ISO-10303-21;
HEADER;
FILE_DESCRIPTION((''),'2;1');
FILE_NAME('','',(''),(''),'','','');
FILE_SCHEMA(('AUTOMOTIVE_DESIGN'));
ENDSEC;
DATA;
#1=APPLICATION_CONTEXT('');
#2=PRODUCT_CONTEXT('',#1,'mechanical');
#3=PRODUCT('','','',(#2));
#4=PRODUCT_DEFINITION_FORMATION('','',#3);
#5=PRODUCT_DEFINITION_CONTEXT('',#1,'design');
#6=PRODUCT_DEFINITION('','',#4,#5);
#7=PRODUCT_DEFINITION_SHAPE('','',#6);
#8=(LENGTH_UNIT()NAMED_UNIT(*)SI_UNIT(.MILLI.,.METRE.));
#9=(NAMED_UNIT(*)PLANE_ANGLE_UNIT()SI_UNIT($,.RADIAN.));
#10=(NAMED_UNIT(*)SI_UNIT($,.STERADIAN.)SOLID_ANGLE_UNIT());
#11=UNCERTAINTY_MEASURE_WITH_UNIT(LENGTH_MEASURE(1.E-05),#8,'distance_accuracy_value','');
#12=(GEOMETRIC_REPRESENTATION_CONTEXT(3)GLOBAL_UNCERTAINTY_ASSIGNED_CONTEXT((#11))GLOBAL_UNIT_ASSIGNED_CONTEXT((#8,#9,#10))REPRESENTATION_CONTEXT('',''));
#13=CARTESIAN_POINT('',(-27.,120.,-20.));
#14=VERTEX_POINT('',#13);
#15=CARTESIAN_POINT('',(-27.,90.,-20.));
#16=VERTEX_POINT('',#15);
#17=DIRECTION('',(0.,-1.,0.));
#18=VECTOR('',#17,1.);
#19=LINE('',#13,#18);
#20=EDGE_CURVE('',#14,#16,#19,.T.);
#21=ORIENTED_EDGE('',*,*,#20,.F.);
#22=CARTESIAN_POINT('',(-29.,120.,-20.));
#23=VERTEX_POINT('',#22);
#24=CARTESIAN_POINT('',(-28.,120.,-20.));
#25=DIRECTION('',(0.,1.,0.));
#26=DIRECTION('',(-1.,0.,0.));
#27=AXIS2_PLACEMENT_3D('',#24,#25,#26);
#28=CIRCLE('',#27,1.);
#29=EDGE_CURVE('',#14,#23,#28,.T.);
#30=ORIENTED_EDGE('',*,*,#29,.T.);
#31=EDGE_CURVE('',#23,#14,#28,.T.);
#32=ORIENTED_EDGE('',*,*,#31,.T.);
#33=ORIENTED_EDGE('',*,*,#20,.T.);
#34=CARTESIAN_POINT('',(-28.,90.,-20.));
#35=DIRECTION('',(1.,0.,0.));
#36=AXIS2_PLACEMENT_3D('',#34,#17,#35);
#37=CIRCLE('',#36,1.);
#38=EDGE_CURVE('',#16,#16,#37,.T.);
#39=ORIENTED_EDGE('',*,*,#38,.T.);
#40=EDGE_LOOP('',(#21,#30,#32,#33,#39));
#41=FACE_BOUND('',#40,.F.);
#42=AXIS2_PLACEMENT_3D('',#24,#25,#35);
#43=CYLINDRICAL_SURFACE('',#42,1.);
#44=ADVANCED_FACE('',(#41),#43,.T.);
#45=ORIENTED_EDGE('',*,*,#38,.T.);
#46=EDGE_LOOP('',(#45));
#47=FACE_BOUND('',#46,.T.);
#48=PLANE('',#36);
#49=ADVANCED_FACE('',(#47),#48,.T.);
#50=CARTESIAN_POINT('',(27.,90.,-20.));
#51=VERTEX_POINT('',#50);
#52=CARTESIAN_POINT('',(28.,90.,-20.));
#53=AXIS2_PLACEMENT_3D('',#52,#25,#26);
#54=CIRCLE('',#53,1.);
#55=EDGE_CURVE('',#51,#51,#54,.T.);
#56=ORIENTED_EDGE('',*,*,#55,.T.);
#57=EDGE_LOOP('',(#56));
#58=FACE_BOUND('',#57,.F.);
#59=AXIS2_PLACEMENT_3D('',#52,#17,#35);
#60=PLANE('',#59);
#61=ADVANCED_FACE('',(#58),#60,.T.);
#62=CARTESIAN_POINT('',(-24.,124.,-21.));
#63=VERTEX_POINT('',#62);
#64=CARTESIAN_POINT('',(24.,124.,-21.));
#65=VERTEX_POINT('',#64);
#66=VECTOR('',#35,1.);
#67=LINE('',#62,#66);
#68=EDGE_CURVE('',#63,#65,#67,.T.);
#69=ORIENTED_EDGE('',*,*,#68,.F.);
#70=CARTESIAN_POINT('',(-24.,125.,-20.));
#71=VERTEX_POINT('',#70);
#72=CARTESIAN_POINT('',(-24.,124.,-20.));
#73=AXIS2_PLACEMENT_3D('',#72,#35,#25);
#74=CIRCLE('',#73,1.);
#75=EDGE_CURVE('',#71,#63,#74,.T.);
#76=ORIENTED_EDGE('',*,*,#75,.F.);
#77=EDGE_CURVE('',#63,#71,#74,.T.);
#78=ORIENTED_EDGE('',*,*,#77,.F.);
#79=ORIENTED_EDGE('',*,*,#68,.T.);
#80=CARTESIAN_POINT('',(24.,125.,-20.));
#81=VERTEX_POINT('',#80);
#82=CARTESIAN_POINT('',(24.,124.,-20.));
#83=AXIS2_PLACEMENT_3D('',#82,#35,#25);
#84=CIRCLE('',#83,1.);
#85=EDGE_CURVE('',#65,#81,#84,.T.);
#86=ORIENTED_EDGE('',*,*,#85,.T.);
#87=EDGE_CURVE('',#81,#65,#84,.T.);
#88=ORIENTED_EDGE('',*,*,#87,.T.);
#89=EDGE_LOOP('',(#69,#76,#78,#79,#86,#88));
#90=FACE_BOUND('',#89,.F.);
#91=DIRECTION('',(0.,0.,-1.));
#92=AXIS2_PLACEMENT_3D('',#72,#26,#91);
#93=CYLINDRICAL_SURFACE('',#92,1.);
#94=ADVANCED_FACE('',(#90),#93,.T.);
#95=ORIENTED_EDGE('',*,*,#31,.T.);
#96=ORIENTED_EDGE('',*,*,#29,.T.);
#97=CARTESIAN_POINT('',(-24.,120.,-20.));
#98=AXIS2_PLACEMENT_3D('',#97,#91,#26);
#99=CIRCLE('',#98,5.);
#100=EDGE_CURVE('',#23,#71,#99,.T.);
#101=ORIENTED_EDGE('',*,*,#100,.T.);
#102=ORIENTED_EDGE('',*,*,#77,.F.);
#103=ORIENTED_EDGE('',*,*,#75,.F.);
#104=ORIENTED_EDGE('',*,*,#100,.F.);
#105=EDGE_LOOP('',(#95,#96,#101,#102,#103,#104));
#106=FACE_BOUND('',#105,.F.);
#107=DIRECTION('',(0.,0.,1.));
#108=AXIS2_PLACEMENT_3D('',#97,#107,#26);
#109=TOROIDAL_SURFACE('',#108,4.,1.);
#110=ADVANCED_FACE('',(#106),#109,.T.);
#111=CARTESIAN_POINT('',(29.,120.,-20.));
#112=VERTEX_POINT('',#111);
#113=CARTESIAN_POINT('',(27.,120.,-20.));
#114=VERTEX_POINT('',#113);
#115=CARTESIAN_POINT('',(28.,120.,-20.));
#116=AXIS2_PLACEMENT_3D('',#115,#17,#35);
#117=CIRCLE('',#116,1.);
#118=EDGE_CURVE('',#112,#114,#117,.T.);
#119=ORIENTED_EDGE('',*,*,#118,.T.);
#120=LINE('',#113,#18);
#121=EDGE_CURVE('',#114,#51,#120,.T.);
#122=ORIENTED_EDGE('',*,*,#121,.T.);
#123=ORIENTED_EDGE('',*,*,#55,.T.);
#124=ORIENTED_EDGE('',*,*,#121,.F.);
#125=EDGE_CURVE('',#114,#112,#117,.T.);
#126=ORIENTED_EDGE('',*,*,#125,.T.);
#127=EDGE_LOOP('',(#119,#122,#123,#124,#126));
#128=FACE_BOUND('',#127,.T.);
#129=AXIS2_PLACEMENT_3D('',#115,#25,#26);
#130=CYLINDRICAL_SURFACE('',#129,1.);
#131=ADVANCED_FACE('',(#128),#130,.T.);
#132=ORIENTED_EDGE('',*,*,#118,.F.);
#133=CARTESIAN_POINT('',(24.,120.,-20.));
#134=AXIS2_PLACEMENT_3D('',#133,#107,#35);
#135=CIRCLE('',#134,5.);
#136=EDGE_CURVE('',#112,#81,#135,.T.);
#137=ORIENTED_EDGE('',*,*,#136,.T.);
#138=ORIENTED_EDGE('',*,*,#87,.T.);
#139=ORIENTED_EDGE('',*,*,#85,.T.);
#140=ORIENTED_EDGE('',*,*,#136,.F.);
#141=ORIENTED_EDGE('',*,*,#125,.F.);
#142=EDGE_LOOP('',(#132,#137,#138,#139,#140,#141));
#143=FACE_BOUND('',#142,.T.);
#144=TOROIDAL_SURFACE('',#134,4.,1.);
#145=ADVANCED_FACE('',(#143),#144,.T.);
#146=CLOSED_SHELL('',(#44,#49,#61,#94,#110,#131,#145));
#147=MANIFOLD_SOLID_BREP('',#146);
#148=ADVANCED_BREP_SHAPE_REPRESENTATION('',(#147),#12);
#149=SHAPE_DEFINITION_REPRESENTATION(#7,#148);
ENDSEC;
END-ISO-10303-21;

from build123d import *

# Parameters (mm, degrees)
TORUS_R           = 1
TORUS_ANGLE       = 90
CYLINDER002_R     = 1
CYLINDER002_DEPTH = 30
CYLINDER004_R     = 1
CYLINDER004_DEPTH = 48


with BuildPart() as torus:
    # Torus → Torus (revolve)
    with BuildSketch(Plane(origin=(24, 120, 0), x_dir=(1, 0, 0), z_dir=(0, -1, 0))):
        with Locations((4, 0)):
            Circle(TORUS_R)
    revolve(axis=Axis((24, 120, 0), (0, 0, 1)), revolution_arc=TORUS_ANGLE)


with BuildPart() as collector002:
    # Cylinder002 → Cylinder002 (new body)
    with BuildSketch(Plane(origin=(-28, 120, 0), x_dir=(1, 0, 0), z_dir=(0, -1, 0))):
        Circle(CYLINDER002_R)
    extrude(amount=CYLINDER002_DEPTH)


with BuildPart() as topsupportss:
    # Part__Mirroring002: instance of Collector002
    add(collector002.part.mirror(Plane(origin=(0, 0, 0), x_dir=(0, -1, 0), z_dir=(1, 0, 0))))


with BuildPart() as cylinder:
    # Cylinder004 → Cylinder004 (new body)
    with BuildSketch(Plane(origin=(-24, 124, 0), x_dir=(0, 0, -1), z_dir=(1, 0, 0))):
        Circle(CYLINDER004_R)
    extrude(amount=CYLINDER004_DEPTH)


with BuildPart() as cathodetopss:
    # Part__Mirroring003: instance of Torus
    add(torus.part.mirror(Plane(origin=(0, 0, 0), x_dir=(0, -1, 0), z_dir=(1, 0, 0))))

    # Fusion: union Torus, Collector002, TopSupportSS, Cylinder
    add(torus.part)
    add(collector002.part)
    add(topsupportss.part)
    add(cylinder.part)


with BuildPart() as cathodetopss_1:
    # Fusion placement: moved
    add(cathodetopss.part.moved(Location((0, 0, -20))))


solid = cathodetopss_1.part
